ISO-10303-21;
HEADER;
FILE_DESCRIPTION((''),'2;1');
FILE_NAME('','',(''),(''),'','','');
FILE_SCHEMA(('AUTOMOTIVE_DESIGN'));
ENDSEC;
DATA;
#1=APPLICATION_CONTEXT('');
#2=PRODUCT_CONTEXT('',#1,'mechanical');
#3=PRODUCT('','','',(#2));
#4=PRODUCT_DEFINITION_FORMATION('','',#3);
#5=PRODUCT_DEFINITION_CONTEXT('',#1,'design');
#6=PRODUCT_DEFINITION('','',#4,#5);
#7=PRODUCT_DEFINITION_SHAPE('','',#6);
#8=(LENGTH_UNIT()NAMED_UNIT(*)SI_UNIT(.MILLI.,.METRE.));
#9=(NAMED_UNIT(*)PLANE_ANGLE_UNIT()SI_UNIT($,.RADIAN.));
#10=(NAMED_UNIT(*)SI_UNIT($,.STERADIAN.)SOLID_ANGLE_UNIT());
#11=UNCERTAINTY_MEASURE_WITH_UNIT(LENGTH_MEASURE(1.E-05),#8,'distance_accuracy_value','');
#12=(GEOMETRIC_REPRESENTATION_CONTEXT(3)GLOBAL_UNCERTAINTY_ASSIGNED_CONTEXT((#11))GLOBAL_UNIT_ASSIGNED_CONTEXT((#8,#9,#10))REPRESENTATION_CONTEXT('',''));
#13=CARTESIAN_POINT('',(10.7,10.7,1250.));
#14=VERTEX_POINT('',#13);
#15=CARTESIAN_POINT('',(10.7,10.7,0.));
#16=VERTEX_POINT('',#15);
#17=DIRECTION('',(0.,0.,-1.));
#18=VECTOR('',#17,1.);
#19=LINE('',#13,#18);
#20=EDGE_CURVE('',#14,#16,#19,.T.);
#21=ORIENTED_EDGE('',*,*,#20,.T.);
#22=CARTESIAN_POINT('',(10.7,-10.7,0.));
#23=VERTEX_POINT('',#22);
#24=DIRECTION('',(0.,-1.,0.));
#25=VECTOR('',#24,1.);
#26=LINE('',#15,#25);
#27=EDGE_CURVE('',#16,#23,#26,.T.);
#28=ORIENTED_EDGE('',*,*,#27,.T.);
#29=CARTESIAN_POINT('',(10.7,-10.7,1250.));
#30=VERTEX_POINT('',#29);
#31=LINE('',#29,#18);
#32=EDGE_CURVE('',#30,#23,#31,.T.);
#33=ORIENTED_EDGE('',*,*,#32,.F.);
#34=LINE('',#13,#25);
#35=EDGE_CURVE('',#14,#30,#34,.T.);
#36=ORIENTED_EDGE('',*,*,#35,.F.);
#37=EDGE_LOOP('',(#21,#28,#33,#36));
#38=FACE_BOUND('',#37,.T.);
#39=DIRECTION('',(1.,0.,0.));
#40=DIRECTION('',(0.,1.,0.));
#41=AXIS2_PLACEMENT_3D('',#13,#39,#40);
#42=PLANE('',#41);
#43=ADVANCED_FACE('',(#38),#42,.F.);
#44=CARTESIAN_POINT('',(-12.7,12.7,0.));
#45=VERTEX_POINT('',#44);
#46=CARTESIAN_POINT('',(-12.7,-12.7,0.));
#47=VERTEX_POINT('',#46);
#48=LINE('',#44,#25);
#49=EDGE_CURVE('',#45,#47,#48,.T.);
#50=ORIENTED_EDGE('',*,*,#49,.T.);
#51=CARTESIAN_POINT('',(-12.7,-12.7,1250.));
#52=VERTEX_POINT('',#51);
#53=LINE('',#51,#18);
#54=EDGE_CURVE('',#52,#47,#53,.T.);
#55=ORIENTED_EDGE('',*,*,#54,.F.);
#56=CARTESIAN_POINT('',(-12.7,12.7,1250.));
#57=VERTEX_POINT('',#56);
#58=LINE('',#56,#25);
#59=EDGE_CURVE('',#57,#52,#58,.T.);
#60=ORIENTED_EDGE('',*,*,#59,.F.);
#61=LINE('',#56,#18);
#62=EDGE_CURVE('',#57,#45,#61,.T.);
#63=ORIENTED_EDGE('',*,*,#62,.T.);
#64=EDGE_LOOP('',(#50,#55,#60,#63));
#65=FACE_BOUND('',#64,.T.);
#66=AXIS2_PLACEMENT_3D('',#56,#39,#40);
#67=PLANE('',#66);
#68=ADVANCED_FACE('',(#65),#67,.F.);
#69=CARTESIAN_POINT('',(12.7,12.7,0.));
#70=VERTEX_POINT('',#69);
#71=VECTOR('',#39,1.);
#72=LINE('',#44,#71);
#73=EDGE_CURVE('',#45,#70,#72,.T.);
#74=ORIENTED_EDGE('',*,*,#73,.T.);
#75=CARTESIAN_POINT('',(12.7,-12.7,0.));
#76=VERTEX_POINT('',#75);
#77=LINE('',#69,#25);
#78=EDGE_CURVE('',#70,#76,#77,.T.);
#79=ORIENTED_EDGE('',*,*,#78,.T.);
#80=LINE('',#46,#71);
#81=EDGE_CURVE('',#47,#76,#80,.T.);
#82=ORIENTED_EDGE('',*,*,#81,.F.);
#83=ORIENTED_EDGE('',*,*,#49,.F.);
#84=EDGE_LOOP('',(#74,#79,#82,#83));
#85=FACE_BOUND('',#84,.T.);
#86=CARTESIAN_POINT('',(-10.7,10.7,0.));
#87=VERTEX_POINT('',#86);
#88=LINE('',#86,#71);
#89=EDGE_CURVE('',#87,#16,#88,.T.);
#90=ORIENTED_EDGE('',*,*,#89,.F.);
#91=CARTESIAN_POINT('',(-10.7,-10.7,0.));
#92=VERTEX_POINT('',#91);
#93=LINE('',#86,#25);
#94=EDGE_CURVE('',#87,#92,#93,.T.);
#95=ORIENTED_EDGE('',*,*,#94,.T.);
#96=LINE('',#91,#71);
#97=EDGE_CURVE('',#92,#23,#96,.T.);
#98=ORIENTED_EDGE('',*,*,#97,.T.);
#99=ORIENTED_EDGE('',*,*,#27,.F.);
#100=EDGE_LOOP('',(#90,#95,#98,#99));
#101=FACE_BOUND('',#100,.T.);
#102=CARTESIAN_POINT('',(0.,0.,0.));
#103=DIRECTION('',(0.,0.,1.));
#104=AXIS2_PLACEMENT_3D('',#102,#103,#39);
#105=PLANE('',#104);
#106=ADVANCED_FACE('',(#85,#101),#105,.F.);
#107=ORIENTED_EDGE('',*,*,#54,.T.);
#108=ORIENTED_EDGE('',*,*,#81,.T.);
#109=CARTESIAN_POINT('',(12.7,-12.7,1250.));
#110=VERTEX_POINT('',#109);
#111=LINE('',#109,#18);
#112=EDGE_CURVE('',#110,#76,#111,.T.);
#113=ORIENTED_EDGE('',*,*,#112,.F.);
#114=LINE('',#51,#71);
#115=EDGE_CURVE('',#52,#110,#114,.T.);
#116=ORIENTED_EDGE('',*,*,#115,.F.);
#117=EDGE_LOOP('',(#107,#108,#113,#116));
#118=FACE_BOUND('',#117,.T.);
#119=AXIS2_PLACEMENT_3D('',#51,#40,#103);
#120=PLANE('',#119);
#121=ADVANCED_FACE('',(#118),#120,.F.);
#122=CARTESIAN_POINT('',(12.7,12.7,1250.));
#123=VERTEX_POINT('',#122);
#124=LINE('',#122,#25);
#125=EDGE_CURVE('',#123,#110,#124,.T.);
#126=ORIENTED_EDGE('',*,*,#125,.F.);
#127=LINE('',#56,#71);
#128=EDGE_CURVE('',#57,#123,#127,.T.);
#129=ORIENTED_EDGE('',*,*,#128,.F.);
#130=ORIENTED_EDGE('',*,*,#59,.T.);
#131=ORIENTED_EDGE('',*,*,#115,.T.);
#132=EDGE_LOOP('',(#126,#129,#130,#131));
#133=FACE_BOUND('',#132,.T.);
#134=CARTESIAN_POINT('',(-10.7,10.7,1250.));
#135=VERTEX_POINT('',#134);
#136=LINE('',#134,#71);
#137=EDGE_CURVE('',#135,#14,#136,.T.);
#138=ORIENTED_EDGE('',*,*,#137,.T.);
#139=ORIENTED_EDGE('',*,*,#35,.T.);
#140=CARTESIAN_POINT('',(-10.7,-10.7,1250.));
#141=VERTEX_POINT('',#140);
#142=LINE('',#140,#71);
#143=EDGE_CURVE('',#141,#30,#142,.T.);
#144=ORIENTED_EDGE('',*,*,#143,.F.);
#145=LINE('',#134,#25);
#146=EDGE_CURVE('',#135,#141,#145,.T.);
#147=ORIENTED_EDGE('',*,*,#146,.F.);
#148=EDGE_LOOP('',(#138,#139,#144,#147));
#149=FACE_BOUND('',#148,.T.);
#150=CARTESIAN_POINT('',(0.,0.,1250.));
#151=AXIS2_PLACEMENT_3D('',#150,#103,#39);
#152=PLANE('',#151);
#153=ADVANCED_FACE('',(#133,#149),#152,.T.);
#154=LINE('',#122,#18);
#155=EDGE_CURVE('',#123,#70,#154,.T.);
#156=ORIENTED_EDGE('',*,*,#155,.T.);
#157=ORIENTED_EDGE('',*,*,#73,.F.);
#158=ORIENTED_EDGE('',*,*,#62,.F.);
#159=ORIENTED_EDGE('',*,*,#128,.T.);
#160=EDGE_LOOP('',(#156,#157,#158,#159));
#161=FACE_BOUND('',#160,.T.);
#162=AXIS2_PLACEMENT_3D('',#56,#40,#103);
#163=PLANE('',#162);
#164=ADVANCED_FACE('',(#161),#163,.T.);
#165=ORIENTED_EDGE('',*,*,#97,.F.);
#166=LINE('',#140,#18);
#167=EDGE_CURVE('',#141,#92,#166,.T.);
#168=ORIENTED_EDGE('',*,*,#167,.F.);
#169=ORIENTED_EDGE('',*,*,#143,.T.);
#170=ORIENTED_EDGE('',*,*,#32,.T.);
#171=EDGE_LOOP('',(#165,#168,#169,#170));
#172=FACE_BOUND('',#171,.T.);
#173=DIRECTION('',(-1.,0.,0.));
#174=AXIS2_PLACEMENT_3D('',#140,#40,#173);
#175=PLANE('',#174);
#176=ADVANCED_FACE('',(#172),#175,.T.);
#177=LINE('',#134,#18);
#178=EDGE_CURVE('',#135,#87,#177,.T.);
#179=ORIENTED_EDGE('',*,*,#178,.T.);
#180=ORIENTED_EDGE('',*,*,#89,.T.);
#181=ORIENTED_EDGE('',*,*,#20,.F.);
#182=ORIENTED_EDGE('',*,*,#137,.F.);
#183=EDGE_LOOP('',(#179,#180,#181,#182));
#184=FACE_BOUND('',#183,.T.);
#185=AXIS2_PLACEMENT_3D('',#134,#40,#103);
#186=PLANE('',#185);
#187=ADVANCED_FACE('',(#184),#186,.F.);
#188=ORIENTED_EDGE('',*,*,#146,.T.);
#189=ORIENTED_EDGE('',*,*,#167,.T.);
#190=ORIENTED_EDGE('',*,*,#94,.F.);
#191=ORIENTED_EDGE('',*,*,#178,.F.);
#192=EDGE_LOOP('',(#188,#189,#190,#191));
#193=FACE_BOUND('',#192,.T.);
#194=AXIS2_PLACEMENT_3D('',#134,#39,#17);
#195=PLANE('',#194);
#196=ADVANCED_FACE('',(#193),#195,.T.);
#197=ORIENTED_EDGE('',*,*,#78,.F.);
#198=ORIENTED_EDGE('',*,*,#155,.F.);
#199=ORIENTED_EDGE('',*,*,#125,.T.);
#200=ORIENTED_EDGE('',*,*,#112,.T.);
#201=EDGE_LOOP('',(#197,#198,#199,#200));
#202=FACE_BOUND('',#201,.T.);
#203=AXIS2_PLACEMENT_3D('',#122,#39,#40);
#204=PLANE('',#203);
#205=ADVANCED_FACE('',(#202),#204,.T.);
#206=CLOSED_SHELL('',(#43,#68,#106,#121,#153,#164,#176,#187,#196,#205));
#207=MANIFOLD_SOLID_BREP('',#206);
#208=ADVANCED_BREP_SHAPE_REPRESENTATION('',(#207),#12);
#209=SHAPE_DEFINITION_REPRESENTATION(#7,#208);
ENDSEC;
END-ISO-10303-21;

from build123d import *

# Parameters (mm, degrees)
SKETCH_1_W          = 25.4
SKETCH_1_H          = 25.4
EXTRUDE_1_DEPTH     = 1250
SKETCH_1_3_W        = 21.4
SKETCH_1_3_H        = 21.4
CUT_EXTRUDE_1_DEPTH = 1251.129025341


with BuildPart() as part:
    # 草圖1 → 填料-伸長1 (new body)
    with BuildSketch(Plane.XY):
        Rectangle(SKETCH_1_W, SKETCH_1_H)
    extrude(amount=EXTRUDE_1_DEPTH)

    # 草圖1<3> → 除料-伸長1 (cut, through all)
    with BuildSketch(Plane.XY):
        Rectangle(SKETCH_1_3_W, SKETCH_1_3_H)
    extrude(amount=CUT_EXTRUDE_1_DEPTH, mode=Mode.SUBTRACT)


solid = part.part
